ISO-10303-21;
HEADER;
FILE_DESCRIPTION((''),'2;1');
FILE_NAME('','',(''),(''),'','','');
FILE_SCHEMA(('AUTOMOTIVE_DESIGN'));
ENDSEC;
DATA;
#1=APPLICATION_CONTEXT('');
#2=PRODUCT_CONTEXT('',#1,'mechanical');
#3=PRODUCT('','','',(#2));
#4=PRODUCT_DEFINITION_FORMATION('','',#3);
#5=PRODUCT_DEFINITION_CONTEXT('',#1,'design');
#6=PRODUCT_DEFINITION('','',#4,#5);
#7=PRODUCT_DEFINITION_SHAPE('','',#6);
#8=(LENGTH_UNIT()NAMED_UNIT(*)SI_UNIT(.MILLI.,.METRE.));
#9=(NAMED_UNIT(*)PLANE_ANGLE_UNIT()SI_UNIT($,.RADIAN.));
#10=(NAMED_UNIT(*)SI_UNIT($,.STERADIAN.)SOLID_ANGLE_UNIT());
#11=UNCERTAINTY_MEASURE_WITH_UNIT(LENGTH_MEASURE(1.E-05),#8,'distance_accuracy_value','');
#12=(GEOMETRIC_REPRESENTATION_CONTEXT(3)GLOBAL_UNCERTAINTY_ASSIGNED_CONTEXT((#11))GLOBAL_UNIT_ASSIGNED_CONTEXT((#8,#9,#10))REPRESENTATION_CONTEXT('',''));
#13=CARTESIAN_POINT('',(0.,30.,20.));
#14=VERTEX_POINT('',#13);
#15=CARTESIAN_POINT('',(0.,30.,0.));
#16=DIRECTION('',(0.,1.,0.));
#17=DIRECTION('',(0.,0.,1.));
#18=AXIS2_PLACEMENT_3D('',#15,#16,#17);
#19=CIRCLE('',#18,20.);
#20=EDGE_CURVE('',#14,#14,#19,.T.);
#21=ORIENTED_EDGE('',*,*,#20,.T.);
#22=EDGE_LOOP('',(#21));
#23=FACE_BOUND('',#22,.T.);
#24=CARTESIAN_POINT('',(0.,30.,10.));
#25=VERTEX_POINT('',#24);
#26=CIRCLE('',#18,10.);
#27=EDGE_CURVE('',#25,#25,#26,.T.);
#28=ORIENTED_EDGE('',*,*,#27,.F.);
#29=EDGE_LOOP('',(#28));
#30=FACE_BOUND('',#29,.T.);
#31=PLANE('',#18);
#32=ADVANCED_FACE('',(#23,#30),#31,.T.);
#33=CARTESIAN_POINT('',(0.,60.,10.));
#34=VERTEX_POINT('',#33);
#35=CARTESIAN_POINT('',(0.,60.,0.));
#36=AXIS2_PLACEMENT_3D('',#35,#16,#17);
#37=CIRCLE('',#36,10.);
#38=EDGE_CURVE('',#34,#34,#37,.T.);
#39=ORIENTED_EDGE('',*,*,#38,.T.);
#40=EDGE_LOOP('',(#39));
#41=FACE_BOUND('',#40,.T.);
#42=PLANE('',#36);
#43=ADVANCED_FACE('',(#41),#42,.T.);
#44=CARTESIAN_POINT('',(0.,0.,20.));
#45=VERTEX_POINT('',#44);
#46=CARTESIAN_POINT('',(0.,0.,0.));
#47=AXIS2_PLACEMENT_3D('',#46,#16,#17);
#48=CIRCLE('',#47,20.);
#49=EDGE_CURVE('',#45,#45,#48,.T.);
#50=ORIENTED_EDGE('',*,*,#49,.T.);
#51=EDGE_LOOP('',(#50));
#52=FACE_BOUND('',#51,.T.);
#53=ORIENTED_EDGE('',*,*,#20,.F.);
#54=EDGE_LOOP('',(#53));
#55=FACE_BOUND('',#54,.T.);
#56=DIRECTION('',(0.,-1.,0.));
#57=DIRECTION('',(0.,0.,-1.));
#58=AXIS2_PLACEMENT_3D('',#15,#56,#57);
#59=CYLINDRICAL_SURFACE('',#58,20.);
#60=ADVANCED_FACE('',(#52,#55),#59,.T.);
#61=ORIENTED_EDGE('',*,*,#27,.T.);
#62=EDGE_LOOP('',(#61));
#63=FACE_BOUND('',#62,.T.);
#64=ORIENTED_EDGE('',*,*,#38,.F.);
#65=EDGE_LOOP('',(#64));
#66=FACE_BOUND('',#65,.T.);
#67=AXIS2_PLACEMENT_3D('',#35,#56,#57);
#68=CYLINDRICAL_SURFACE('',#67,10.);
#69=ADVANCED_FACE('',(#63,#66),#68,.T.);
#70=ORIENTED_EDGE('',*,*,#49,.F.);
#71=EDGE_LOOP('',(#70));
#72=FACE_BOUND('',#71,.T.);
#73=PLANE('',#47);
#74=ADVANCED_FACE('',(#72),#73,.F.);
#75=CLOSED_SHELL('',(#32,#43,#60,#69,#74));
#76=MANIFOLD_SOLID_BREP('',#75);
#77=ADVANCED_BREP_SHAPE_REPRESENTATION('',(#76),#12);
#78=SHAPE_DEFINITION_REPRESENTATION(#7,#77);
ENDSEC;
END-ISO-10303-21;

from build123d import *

# Parameters (mm, degrees)
SKETCH1_R           = 20
BOSS_EXTRUDE3_DEPTH = 30
SKETCH3_R           = 10
BOSS_EXTRUDE4_DEPTH = 30


with BuildPart() as part:
    # Sketch1 → Boss-Extrude3 (new body)
    with BuildSketch(Plane(origin=(0, 0, 0), x_dir=(1, 0, 0), z_dir=(0, 1, 0))):
        Circle(SKETCH1_R)
    extrude(amount=BOSS_EXTRUDE3_DEPTH)

    # Sketch3 → Boss-Extrude4 (add)
    with BuildSketch(Plane(origin=(0, 30, 0), x_dir=(1, 0, 0), z_dir=(0, 1, 0))):
        Circle(SKETCH3_R)
    extrude(amount=BOSS_EXTRUDE4_DEPTH)


solid = part.part
